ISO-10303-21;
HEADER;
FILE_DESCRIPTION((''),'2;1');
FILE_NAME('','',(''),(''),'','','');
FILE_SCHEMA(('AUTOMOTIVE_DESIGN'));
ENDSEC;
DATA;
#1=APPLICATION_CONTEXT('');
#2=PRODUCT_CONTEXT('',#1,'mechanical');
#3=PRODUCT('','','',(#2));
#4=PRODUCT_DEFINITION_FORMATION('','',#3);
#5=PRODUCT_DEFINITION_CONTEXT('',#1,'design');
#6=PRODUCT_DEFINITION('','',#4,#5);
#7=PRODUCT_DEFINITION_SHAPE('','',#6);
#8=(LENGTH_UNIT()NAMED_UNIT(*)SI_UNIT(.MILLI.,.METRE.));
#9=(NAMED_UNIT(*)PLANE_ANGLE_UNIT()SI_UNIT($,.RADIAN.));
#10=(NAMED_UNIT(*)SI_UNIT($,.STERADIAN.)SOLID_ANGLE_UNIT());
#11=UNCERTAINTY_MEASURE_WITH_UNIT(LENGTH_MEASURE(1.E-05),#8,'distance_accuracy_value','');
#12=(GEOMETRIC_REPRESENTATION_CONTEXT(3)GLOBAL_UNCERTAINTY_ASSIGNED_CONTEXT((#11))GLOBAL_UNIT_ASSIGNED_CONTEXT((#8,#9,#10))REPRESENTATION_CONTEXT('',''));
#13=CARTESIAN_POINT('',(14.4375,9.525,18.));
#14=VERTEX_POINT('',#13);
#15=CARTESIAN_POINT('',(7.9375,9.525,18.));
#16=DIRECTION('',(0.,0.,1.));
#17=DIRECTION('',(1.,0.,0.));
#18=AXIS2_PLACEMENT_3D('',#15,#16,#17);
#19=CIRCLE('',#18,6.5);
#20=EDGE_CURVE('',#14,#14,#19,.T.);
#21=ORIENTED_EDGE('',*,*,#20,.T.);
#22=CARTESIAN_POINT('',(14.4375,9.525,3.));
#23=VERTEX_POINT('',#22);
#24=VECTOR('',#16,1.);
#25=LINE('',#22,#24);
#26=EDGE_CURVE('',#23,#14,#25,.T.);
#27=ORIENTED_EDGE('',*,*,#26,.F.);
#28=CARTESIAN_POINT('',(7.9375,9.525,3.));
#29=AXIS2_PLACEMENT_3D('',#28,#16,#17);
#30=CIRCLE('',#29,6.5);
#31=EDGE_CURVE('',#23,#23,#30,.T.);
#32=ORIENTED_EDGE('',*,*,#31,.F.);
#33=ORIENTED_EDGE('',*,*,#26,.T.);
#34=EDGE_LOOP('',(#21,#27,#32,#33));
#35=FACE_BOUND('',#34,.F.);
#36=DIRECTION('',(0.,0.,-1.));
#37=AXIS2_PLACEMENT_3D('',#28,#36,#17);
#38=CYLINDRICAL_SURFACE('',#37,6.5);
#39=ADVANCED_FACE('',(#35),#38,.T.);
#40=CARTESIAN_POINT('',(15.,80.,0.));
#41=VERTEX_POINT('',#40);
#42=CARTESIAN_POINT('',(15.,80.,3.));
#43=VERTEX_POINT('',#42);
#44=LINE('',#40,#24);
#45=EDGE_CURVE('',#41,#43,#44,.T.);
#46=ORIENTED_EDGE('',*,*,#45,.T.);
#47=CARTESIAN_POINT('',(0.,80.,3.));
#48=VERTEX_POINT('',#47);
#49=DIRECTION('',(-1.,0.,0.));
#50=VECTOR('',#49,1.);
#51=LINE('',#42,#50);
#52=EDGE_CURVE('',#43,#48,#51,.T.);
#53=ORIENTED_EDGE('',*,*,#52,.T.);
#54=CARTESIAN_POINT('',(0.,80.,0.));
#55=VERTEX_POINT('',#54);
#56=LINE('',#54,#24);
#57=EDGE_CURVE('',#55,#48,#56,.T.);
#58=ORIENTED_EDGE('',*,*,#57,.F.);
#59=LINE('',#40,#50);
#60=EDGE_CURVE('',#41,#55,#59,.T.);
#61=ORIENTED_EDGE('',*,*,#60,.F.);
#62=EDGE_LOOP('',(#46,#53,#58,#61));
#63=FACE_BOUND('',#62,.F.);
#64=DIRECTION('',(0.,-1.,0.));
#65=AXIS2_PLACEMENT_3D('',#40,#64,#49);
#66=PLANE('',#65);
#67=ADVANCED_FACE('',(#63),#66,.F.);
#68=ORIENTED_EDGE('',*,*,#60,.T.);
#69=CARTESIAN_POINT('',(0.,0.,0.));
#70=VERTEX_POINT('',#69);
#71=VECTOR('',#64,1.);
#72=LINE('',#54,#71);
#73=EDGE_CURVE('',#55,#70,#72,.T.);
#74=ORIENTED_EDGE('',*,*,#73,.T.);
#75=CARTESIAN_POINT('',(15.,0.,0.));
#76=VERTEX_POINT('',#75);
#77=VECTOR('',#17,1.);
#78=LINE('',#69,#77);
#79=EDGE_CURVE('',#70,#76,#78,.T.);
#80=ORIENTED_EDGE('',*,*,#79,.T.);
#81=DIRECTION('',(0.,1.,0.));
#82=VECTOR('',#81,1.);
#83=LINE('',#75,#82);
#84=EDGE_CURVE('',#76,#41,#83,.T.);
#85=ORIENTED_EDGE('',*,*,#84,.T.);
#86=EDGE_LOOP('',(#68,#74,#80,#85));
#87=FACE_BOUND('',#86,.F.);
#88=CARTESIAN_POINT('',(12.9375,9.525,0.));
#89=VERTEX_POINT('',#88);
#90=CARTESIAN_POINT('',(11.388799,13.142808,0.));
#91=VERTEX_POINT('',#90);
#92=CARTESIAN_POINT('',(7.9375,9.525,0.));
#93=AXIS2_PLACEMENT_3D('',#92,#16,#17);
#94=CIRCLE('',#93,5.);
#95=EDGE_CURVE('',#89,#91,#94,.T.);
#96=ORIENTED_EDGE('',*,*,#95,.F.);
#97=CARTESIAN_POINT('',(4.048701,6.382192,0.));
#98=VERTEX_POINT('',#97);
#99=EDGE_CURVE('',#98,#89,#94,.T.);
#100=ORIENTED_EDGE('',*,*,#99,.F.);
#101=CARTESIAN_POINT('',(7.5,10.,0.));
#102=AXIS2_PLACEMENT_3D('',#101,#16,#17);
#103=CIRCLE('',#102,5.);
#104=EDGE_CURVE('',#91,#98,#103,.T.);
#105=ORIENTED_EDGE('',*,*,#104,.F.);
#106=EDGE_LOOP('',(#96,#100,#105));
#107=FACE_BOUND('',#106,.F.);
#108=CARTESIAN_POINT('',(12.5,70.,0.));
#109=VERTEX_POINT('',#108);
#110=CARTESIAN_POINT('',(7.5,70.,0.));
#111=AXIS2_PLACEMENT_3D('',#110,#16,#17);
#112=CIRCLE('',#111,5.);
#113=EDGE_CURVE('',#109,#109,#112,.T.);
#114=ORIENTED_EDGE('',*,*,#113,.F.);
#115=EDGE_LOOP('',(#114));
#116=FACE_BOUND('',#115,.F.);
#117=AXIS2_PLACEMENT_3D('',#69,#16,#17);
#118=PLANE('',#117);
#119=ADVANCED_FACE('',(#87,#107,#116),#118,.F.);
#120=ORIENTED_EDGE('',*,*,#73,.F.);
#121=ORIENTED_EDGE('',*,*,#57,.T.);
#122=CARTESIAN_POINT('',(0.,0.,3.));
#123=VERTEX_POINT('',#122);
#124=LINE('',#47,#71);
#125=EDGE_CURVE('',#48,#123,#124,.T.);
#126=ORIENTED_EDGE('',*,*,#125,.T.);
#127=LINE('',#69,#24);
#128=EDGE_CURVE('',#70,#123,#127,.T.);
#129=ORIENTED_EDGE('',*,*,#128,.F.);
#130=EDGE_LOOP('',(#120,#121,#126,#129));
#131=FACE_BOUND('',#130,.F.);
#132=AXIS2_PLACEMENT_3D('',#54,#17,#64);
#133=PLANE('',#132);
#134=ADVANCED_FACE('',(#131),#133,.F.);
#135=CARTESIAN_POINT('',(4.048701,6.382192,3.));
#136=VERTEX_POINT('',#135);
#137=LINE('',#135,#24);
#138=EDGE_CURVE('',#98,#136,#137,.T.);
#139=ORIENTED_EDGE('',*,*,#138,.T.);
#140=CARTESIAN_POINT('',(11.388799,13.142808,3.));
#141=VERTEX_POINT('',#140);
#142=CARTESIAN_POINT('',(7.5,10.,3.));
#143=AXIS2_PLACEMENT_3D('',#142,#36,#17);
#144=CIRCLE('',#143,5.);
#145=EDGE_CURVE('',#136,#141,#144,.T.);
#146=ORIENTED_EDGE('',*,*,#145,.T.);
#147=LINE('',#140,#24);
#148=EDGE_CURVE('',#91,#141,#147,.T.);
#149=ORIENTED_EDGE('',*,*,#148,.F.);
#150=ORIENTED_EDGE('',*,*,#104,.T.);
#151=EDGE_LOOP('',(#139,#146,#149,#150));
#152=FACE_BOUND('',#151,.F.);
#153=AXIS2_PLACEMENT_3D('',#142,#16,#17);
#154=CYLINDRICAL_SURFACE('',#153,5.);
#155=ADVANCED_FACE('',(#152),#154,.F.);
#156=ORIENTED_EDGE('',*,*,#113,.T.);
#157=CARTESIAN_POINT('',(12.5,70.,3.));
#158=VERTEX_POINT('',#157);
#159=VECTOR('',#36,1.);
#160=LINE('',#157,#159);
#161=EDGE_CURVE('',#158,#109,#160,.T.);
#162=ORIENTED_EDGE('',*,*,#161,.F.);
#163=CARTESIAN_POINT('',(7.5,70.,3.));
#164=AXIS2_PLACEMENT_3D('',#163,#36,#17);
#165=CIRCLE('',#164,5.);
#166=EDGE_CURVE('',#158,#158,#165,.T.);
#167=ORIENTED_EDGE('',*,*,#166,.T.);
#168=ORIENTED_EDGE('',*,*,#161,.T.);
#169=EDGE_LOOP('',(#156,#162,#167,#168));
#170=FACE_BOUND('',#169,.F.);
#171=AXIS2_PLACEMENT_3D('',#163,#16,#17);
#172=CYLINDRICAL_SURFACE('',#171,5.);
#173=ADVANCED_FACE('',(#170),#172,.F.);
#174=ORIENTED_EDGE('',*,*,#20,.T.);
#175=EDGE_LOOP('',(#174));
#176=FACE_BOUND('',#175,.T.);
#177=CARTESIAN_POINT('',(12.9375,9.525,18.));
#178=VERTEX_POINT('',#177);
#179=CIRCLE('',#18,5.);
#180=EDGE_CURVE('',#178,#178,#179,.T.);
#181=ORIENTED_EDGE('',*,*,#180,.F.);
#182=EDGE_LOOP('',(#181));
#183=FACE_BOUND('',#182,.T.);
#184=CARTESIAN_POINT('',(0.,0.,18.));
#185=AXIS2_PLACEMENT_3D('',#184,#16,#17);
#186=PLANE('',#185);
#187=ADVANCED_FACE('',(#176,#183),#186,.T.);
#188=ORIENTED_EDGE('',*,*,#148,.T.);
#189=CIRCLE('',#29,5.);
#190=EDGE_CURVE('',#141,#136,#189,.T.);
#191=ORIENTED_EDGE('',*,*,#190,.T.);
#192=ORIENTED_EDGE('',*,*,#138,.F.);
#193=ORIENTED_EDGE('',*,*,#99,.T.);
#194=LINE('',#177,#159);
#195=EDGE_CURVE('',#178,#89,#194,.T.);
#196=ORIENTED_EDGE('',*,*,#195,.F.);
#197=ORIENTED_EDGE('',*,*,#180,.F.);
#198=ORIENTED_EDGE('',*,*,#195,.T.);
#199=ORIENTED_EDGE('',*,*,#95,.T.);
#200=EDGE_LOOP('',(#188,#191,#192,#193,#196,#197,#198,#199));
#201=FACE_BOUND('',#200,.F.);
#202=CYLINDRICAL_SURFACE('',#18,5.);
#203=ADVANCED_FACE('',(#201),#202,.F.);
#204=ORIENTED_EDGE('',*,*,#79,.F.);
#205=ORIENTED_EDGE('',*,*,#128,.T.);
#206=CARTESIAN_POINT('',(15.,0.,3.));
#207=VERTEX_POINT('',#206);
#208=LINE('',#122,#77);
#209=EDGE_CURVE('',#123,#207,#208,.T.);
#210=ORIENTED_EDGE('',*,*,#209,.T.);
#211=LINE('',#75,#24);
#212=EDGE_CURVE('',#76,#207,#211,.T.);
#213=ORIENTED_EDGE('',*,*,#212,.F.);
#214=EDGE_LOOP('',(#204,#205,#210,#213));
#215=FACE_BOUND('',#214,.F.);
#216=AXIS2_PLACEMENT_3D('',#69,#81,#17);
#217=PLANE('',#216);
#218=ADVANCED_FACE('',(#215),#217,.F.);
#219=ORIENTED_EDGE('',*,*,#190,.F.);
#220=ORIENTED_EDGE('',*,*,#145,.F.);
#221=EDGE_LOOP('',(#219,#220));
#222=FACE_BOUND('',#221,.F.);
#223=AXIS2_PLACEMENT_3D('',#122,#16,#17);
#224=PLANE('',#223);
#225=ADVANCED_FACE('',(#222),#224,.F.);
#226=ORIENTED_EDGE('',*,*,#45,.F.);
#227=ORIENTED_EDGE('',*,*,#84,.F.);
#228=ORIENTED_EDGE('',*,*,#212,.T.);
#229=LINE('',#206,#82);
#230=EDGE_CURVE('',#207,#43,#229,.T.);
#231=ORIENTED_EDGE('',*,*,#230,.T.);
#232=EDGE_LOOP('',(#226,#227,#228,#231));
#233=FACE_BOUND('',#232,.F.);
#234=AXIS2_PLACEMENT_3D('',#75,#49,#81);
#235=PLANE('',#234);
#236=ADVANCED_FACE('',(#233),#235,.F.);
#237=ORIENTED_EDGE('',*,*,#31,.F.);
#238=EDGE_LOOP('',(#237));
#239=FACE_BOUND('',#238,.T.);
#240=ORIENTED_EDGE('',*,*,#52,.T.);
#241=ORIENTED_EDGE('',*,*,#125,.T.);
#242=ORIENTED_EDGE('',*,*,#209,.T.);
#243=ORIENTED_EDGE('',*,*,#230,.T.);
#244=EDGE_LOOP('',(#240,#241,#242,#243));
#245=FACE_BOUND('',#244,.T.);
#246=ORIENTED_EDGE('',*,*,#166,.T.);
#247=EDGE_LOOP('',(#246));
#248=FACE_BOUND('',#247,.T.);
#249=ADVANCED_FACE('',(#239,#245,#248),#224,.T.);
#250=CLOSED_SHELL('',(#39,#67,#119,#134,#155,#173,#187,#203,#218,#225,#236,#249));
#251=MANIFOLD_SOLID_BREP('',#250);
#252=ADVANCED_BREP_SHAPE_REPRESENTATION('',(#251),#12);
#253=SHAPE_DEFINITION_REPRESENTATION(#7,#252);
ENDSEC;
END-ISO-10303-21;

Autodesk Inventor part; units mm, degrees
ref_plane "YZ Plane" through (0, 0, 0) normal (1, 0, 0) x (0, 1, 0)
ref_plane "XZ Plane" through (0, 0, 0) normal (0, 1, 0) x (-1, 0, 0)
ref_plane "XY Plane" through (0, 0, 0) normal (0, 0, 1) x (1, 0, 0)
sketch "Sketch1" plane through (0, 0, 0) normal (0, 0, 1) x (1, 0, 0)
  point P0 (0, 0)
sketch "Sketch2" plane through (0, 0, 0) normal (0, 0, 1) x (1, 0, 0)
  line L0 (0, 0) -> (15, 0)
  line L1 (15, 0) -> (15, 80)
  line L2 (15, 80) -> (0, 80)
  line L3 (0, 80) -> (0, 0)
  dimension "d0" = 15
  dimension "d1" = 80
extrude "Extrusion1" add sketch "Sketch2" along normal blind 3
sketch "Sketch3" plane through (0, 0, 3) normal (0, 0, 1) x (1, 0, 0)
  line L0 (0, 0) -> (15, 0) projected
  line L1 (7.5, 0) -> (7.5, 10)
  line L2 (15, 80) -> (0, 80) projected
  line L3 (7.5, 80) -> (7.5, 70)
  circle A0 centre (7.5, 70) radius 5
  circle A1 centre (7.5, 10) radius 5
  dimension "d4" = 10
  dimension "d5" = 10
  dimension "d6" = 10
  dimension "d7" = 10
extrude "Extrusion2" cut sketch "Sketch3" against normal blind 10
sketch "Sketch4" plane through (0, 0, 3) normal (0, 0, 1) x (1, 0, 0)
  circle A0 centre (7.9375, 9.525) radius 6.5
  point P0 (0, 0)
  dimension "d10" = 13
extrude "Extrusion3" add sketch "Sketch4" along normal blind 15
sketch "Sketch5" plane through (7.9375, 9.525, 18) normal (0, 0, 1) x (1, 0, 0)
  circle A0 centre (0, 0) radius 5
  point P0 (-7.9375, -9.525)
  dimension "d13" = 10
extrude "Extrusion4" cut sketch "Sketch5" against normal through all
sketch "Sketch6" plane through (0, 0, 0) normal (1, 0, 0) x (0, 1, 0)
  line L0 (9.525, 17.4625) -> (9.525, 10.4625)
  circle A0 centre (9.525, 10.4625) radius 1.5
  point P0 (0, 0)
  dimension "d16" = 7
  dimension "d17" = 3
equation "\"d8\" = d7"
properties part number "crank for capping system"
